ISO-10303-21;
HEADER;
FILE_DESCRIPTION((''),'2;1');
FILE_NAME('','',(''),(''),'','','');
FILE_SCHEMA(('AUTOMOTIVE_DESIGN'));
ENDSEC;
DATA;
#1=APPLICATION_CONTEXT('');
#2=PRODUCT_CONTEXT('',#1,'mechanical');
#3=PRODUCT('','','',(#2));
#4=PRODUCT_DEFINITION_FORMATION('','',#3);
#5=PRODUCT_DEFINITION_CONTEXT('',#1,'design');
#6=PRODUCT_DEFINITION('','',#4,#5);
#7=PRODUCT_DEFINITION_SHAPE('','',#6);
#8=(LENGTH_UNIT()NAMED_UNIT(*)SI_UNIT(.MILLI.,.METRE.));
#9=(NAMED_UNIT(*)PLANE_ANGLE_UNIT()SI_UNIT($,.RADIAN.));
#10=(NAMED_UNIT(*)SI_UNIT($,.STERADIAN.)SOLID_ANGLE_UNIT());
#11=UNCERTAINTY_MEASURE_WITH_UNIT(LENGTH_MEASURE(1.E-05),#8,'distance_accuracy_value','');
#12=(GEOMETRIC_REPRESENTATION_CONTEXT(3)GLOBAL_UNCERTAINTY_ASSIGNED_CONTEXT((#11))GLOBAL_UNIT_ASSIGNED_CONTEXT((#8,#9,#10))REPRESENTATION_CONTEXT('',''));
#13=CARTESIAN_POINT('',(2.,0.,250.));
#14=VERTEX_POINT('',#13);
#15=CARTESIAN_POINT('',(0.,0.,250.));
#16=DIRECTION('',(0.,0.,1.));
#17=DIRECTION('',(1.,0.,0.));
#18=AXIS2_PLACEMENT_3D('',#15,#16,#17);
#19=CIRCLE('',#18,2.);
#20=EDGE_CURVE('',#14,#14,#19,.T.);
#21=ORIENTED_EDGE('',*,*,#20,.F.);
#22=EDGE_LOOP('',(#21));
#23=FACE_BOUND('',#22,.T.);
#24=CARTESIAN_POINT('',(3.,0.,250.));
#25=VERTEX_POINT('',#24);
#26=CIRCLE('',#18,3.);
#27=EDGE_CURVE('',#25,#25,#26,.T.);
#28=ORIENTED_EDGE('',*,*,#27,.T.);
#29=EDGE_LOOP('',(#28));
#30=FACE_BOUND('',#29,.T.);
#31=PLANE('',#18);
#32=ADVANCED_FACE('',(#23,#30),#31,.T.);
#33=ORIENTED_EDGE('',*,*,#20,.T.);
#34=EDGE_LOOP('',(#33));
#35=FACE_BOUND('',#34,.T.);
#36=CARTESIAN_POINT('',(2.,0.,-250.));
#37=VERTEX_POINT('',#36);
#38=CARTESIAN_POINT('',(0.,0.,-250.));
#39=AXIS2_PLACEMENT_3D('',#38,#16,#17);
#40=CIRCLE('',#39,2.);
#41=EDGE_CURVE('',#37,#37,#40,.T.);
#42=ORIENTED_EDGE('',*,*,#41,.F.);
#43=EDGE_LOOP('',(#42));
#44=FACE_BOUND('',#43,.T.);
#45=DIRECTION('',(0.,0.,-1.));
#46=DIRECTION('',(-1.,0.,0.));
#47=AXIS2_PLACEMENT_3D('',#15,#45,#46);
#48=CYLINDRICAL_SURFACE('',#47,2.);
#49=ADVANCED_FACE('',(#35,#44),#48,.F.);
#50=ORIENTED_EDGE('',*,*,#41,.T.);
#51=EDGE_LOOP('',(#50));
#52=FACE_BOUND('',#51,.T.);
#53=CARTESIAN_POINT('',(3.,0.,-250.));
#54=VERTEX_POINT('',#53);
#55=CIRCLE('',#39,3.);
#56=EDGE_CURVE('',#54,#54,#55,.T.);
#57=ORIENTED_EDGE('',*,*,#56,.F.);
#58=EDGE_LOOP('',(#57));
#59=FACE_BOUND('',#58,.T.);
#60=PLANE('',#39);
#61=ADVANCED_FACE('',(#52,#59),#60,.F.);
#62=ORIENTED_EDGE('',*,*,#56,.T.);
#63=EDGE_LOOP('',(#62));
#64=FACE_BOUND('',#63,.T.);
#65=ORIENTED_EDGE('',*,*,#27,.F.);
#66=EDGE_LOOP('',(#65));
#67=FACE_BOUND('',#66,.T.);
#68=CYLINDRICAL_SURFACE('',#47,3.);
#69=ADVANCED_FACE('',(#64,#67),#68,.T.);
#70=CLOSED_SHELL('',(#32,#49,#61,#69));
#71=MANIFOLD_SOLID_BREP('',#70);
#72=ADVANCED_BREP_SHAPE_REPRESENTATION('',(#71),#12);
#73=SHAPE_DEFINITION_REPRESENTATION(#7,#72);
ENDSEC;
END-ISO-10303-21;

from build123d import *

# Parameters (mm, degrees)
SKETCH_1_R      = 3
SKETCH_1_R_2    = 2
EXTRUDE_1_DEPTH = 250


with BuildPart() as part:
    # Эскиз1 → Бобышка-Вытянуть1 (new body, symmetric)
    with BuildSketch(Plane.XY):
        Circle(SKETCH_1_R)
        Circle(SKETCH_1_R_2, mode=Mode.SUBTRACT)
    extrude(amount=EXTRUDE_1_DEPTH, both=True)


solid = part.part
